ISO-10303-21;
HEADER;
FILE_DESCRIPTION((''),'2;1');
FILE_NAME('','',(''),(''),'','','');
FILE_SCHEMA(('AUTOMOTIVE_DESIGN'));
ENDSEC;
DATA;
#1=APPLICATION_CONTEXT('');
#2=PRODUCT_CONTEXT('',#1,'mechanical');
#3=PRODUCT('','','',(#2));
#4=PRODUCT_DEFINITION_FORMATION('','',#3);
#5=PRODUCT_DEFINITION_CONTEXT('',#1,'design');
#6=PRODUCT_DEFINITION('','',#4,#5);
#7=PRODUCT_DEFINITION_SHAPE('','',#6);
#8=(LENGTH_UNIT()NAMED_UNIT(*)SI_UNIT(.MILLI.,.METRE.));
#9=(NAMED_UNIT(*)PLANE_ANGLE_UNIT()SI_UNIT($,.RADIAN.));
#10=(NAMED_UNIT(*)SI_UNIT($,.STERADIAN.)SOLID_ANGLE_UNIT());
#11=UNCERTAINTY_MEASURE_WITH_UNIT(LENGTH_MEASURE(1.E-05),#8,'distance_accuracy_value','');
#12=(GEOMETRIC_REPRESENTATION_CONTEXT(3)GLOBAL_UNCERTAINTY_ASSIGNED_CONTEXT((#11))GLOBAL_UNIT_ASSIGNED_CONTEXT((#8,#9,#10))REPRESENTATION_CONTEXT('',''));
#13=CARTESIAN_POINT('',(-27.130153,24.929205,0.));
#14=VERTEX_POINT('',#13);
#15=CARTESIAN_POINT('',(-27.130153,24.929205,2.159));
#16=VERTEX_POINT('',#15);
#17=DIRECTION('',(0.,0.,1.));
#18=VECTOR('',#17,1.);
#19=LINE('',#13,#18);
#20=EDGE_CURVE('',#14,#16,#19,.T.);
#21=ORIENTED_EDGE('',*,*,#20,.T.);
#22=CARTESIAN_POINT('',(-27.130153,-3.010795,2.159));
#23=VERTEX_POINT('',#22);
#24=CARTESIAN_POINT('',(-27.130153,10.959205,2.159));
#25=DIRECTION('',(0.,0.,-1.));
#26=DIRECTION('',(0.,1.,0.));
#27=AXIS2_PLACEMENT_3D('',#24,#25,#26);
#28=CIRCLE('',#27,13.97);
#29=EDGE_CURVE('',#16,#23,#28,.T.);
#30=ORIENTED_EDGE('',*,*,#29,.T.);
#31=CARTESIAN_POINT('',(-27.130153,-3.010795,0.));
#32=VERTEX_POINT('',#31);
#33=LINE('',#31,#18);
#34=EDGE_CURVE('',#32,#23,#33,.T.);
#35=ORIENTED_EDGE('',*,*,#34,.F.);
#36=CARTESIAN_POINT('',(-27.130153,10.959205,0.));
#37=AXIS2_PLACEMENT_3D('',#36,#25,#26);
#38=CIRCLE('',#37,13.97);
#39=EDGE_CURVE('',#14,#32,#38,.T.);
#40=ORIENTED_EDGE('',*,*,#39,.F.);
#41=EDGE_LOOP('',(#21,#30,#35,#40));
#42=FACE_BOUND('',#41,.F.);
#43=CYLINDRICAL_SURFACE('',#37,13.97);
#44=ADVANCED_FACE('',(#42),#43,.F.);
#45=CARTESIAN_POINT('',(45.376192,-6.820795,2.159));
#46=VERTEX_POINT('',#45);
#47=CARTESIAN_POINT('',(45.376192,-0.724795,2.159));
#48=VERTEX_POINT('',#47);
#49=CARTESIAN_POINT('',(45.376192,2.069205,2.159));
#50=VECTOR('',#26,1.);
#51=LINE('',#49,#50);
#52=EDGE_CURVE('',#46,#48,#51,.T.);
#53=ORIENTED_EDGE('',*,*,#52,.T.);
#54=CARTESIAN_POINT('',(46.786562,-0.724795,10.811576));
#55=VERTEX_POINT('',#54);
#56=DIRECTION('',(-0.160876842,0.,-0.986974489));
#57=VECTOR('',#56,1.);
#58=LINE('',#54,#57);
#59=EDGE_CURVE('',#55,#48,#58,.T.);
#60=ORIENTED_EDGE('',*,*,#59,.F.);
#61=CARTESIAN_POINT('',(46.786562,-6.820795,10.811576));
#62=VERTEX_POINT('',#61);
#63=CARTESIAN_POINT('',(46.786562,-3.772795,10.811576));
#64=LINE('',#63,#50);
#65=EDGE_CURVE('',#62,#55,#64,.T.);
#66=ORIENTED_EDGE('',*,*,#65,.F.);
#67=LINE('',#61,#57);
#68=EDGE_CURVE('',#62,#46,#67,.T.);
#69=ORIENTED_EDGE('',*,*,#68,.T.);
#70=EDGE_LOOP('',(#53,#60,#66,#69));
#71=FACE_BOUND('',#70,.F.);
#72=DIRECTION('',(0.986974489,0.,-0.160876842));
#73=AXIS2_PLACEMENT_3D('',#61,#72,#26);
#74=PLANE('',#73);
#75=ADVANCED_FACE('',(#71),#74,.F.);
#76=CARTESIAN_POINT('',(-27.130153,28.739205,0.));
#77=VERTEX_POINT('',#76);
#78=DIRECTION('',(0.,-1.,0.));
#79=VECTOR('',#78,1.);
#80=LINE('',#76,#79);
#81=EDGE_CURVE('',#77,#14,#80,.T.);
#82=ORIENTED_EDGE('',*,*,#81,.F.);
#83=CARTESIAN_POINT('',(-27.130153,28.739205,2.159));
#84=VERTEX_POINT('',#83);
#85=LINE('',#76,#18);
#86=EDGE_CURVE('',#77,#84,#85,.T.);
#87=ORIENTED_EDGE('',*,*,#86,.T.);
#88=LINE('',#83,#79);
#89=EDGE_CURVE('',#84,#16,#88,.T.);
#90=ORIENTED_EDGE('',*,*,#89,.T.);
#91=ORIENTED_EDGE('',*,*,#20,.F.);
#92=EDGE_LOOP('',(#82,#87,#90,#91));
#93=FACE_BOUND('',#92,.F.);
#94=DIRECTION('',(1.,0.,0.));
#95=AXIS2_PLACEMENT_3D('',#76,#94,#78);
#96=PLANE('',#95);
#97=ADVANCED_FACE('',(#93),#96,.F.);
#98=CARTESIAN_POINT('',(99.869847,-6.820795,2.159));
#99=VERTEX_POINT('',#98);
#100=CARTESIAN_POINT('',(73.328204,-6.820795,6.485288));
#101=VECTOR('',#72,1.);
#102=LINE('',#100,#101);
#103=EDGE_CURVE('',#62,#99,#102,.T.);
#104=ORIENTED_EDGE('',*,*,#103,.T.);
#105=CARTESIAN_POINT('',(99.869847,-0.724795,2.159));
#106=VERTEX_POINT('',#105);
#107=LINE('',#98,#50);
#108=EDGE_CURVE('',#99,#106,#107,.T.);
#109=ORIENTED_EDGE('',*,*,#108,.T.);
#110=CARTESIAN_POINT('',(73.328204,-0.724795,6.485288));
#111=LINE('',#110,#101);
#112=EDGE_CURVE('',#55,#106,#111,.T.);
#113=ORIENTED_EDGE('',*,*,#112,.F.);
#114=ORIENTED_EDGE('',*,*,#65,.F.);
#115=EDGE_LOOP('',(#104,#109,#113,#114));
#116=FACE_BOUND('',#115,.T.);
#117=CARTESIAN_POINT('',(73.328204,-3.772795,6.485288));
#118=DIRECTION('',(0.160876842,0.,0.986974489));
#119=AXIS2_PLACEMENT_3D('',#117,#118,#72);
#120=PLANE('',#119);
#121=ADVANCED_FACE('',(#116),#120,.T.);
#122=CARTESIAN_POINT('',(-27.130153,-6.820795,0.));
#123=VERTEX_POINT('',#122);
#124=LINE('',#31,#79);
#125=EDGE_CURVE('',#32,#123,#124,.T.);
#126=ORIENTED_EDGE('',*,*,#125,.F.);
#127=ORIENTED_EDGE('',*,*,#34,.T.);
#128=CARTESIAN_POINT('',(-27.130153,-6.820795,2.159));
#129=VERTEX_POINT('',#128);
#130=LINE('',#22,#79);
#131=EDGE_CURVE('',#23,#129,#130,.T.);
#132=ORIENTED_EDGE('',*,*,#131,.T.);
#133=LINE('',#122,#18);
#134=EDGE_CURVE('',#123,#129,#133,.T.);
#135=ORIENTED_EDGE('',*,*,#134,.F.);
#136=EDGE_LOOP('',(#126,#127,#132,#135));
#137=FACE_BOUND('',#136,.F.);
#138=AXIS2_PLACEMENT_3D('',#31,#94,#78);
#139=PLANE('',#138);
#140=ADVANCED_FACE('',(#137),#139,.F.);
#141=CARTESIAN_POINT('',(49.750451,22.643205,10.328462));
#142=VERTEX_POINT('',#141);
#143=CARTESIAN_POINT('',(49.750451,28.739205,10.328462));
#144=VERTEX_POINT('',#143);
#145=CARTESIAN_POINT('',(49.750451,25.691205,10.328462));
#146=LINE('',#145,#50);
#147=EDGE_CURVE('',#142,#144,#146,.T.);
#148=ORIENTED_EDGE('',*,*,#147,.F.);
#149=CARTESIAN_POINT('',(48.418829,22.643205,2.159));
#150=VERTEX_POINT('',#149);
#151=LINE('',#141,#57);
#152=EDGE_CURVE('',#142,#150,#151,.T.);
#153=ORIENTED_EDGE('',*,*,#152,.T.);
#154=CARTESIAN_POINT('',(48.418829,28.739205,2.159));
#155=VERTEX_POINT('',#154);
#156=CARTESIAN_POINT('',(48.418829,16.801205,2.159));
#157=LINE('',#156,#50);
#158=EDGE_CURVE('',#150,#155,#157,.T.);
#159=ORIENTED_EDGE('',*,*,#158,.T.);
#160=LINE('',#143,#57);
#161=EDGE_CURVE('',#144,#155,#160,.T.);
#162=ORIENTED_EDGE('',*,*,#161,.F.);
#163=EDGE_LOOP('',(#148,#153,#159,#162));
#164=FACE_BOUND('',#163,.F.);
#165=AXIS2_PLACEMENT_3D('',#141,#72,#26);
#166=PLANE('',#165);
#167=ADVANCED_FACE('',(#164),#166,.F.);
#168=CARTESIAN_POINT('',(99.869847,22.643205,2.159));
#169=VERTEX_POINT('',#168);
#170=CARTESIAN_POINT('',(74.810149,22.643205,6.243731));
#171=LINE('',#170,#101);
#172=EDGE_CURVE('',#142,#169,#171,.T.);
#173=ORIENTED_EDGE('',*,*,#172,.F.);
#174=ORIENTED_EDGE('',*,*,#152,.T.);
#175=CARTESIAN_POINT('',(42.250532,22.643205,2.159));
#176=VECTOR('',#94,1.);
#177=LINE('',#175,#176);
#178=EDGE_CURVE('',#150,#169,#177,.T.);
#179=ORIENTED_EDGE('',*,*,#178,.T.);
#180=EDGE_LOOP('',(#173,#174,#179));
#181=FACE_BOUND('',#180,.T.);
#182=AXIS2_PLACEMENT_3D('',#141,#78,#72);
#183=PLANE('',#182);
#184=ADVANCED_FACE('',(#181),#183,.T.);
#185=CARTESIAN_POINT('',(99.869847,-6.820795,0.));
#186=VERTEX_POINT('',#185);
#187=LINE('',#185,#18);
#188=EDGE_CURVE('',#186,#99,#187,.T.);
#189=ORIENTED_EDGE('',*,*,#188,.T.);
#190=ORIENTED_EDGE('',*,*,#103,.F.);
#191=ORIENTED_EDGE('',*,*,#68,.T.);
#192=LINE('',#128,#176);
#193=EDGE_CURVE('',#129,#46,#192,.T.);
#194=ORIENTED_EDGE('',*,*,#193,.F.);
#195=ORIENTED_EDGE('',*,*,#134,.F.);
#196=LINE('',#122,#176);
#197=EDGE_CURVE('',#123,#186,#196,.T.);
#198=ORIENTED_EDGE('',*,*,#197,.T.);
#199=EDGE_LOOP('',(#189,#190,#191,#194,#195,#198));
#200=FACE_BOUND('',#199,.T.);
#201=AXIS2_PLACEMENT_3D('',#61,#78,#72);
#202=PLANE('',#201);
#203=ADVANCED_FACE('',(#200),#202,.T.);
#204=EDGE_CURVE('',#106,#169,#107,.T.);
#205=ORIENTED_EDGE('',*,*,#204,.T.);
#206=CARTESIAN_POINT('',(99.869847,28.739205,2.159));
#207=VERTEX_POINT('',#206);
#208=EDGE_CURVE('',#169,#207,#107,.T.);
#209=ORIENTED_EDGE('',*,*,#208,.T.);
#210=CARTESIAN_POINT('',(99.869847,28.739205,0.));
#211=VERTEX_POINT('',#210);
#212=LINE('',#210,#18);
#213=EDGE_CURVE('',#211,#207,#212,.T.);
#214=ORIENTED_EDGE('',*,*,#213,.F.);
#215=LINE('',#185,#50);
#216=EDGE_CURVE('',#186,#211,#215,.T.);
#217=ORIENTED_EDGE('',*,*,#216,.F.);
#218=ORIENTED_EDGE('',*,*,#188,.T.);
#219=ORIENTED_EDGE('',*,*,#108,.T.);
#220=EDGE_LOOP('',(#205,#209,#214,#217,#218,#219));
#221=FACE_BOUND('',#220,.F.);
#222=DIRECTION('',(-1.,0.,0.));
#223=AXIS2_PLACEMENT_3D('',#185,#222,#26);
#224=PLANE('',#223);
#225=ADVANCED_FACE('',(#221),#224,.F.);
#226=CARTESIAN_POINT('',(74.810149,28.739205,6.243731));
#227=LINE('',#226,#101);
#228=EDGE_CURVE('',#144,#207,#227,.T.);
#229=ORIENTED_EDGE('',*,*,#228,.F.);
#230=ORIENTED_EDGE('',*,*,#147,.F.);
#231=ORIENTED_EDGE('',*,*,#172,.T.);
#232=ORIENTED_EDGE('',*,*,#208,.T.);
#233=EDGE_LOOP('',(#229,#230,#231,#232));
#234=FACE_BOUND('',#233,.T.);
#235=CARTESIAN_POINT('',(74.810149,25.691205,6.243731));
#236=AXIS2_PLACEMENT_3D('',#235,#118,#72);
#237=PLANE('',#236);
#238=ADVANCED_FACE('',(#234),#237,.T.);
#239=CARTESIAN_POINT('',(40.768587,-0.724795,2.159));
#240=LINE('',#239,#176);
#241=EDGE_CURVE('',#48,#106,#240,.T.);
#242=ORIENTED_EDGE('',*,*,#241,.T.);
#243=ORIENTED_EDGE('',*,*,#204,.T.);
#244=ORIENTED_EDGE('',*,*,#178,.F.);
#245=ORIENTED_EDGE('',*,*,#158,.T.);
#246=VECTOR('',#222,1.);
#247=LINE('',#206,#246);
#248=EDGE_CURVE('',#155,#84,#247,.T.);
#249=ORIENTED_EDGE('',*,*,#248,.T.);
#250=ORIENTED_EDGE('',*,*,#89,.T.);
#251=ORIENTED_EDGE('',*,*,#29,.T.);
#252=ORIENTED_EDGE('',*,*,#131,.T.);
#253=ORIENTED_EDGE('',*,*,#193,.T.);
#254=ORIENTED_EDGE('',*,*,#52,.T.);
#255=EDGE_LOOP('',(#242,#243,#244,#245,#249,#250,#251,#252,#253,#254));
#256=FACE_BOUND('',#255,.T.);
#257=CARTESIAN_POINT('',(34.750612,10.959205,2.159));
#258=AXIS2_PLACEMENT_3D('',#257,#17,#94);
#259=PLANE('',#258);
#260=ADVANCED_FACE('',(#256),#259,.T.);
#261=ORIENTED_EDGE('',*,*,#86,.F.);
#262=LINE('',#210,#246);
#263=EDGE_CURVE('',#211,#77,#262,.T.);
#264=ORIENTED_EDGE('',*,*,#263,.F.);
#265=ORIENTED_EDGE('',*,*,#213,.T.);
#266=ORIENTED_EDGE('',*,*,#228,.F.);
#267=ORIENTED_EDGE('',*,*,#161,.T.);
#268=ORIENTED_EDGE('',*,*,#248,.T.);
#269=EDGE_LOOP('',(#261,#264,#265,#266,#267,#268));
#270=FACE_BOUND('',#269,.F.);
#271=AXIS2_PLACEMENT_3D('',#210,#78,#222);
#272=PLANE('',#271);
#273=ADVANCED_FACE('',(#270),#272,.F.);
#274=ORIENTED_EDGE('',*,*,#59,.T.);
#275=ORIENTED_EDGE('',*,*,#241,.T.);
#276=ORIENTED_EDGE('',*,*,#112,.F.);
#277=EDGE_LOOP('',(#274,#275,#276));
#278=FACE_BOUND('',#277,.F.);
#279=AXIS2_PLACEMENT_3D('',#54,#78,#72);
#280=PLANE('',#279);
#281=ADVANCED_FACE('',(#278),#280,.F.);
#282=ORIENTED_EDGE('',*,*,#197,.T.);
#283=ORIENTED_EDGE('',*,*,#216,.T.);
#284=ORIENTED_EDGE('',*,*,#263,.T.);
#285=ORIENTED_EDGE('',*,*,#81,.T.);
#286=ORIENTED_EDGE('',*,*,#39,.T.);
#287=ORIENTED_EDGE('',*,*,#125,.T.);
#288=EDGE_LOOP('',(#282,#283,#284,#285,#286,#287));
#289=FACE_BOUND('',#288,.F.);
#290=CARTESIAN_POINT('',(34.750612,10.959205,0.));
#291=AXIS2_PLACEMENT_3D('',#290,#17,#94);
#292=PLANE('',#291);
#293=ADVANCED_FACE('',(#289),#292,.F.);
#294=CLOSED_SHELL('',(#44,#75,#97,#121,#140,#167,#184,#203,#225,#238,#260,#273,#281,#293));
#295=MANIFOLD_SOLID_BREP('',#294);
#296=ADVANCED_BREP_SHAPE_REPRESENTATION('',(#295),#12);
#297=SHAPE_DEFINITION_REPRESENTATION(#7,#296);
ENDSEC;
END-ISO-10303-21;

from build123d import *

# Parameters (mm, degrees)
F1_DEPTH = 2.159
F5_W     = 53.7838474663
F5_H     = 6.096
F5_W_2   = 50.7808425279


with BuildPart() as f1:
    # F0 (on Top) → F1 (new body)
    with BuildSketch(Plane.XY):
        with BuildLine():
            Line((-27.1301528547, -3.0107952586), (-27.1301528547, -6.8207952586))
            Line((-27.1301528547, -6.8207952586), (99.8698471453, -6.8207952586))
            Line((99.8698471453, -6.8207952586), (99.8698471453, 28.7392047414))
            Line((99.8698471453, 28.7392047414), (-27.1301528547, 28.7392047414))
            Line((-27.1301528547, 28.7392047414), (-27.1301528547, 24.9292047414))
            ThreePointArc((-27.1301528547, 24.9292047414), (-13.1601528547, 10.9592047414), (-27.1301528547, -3.0107952586))
        make_face()
    extrude(amount=F1_DEPTH)

    # F5 (on 3pt) → F6 (join, up to the next surface of F1)
    with BuildSketch(Plane(origin=(2.9275761968, 0, 17.9605901646), x_dir=(0.9869744889, 0, -0.1608768417), z_dir=(0.1608768417, 0, 0.9869744889))):
        with Locations((71.3297345118, -3.7727952586)):
            Rectangle(F5_W, F5_H)
        with Locations((72.8312369809, 25.6912047414)):
            Rectangle(F5_W_2, F5_H)
    extrude(until=Until.NEXT, dir=(-0.1608768417, 0, -0.9869744889))


solid = f1.part
